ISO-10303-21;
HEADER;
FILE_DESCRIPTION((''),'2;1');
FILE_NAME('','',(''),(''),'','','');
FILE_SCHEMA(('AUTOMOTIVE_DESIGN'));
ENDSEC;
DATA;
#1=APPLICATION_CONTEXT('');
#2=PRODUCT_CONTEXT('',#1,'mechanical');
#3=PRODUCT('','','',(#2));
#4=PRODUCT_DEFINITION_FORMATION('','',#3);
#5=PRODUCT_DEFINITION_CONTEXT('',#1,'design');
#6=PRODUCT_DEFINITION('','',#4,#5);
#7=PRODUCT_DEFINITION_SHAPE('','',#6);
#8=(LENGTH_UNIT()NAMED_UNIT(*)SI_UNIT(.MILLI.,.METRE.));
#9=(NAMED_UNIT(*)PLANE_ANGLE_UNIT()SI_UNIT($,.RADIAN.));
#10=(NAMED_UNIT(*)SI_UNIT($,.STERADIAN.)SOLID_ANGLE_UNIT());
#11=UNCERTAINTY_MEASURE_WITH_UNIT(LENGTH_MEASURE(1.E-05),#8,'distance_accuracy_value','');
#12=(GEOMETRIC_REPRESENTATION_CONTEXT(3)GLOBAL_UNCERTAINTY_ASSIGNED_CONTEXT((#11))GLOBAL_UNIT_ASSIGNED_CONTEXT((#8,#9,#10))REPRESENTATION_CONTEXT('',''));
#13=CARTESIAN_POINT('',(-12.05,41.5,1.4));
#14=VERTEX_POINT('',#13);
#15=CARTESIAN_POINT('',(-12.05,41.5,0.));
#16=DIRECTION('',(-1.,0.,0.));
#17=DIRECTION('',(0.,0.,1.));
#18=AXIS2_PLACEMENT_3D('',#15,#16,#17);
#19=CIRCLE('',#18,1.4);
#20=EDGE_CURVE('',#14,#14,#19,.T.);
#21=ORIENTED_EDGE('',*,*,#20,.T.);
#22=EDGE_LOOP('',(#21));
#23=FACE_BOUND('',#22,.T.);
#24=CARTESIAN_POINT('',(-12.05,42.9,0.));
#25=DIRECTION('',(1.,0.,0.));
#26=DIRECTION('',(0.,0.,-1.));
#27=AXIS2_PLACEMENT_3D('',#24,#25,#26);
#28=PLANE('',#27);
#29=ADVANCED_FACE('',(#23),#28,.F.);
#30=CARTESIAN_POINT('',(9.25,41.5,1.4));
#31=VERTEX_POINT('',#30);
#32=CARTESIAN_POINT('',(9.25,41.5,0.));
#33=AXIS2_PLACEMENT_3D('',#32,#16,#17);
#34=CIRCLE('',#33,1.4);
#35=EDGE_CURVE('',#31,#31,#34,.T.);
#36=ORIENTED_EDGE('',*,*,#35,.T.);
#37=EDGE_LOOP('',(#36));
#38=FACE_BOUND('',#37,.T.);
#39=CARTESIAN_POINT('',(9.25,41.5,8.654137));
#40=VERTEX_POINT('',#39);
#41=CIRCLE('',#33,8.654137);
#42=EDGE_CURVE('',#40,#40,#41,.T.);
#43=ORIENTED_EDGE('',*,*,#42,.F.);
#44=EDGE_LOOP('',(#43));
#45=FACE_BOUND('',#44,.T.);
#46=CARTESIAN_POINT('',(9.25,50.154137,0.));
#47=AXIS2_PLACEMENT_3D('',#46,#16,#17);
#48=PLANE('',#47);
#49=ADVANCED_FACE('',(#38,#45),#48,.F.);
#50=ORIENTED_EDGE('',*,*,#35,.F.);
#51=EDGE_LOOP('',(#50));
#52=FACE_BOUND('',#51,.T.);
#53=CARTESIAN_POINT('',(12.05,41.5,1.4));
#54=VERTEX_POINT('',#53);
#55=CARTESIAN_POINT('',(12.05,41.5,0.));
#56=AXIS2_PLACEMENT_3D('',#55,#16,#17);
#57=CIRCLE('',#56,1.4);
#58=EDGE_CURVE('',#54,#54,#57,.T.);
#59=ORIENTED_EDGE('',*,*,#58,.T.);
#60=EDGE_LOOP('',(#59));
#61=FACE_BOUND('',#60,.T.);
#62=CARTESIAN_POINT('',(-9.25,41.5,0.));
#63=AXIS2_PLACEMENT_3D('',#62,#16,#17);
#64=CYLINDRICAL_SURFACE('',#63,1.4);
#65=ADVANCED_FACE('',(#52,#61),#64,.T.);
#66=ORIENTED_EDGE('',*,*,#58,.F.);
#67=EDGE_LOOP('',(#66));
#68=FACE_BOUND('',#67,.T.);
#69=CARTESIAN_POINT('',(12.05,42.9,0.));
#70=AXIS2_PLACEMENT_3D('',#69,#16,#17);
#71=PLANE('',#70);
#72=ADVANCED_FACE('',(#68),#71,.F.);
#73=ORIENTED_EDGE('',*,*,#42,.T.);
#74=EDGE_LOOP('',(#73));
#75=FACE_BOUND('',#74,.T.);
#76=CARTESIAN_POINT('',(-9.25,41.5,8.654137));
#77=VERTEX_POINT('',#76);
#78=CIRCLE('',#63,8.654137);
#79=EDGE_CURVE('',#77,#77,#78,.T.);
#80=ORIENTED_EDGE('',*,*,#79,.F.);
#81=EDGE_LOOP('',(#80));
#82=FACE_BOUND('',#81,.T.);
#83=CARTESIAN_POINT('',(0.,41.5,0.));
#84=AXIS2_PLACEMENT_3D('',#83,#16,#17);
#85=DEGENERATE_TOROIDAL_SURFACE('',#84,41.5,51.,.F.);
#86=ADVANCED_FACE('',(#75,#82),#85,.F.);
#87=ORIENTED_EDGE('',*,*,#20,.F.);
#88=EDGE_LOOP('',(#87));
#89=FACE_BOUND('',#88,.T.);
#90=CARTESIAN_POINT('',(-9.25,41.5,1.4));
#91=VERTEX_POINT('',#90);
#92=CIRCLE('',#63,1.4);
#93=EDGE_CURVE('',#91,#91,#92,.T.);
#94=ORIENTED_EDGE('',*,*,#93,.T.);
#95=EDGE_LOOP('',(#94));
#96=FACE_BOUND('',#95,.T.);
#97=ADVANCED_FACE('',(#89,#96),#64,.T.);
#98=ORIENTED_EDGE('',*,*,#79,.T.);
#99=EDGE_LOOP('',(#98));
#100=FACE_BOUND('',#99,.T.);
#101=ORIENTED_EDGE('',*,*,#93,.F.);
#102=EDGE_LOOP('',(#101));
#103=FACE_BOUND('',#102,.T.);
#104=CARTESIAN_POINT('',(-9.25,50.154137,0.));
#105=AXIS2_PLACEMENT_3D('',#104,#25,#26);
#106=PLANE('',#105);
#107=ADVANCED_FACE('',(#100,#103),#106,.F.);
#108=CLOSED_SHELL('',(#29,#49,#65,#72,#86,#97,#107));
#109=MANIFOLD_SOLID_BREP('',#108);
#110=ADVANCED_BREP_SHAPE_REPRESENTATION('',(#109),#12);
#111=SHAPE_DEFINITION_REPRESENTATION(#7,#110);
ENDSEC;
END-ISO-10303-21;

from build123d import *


with BuildPart() as part:
    # Sketch1 → Revolve1 (revolve)
    with BuildSketch(Plane.XY):
        with BuildLine():
            Line((9.25, 50.154137417), (9.25, 42.9))
            Line((9.25, 42.9), (12.05, 42.9))
            Line((12.05, 42.9), (12.05, 41.5))
            Line((12.05, 41.5), (9.25, 41.5))
            Line((9.25, 41.5), (-9.25, 41.5))
            Line((-9.25, 41.5), (-12.05, 41.5))
            Line((-12.05, 41.5), (-12.05, 42.9))
            Line((-12.05, 42.9), (-9.25, 42.9))
            Line((-9.25, 42.9), (-9.25, 50.154137417))
            ThreePointArc((-9.25, 50.154137417), (0, 51), (9.25, 50.154137417))
        make_face()
    revolve(axis=Axis((-9.25, 41.5, 0), (1, 0, 0)))


solid = part.part
